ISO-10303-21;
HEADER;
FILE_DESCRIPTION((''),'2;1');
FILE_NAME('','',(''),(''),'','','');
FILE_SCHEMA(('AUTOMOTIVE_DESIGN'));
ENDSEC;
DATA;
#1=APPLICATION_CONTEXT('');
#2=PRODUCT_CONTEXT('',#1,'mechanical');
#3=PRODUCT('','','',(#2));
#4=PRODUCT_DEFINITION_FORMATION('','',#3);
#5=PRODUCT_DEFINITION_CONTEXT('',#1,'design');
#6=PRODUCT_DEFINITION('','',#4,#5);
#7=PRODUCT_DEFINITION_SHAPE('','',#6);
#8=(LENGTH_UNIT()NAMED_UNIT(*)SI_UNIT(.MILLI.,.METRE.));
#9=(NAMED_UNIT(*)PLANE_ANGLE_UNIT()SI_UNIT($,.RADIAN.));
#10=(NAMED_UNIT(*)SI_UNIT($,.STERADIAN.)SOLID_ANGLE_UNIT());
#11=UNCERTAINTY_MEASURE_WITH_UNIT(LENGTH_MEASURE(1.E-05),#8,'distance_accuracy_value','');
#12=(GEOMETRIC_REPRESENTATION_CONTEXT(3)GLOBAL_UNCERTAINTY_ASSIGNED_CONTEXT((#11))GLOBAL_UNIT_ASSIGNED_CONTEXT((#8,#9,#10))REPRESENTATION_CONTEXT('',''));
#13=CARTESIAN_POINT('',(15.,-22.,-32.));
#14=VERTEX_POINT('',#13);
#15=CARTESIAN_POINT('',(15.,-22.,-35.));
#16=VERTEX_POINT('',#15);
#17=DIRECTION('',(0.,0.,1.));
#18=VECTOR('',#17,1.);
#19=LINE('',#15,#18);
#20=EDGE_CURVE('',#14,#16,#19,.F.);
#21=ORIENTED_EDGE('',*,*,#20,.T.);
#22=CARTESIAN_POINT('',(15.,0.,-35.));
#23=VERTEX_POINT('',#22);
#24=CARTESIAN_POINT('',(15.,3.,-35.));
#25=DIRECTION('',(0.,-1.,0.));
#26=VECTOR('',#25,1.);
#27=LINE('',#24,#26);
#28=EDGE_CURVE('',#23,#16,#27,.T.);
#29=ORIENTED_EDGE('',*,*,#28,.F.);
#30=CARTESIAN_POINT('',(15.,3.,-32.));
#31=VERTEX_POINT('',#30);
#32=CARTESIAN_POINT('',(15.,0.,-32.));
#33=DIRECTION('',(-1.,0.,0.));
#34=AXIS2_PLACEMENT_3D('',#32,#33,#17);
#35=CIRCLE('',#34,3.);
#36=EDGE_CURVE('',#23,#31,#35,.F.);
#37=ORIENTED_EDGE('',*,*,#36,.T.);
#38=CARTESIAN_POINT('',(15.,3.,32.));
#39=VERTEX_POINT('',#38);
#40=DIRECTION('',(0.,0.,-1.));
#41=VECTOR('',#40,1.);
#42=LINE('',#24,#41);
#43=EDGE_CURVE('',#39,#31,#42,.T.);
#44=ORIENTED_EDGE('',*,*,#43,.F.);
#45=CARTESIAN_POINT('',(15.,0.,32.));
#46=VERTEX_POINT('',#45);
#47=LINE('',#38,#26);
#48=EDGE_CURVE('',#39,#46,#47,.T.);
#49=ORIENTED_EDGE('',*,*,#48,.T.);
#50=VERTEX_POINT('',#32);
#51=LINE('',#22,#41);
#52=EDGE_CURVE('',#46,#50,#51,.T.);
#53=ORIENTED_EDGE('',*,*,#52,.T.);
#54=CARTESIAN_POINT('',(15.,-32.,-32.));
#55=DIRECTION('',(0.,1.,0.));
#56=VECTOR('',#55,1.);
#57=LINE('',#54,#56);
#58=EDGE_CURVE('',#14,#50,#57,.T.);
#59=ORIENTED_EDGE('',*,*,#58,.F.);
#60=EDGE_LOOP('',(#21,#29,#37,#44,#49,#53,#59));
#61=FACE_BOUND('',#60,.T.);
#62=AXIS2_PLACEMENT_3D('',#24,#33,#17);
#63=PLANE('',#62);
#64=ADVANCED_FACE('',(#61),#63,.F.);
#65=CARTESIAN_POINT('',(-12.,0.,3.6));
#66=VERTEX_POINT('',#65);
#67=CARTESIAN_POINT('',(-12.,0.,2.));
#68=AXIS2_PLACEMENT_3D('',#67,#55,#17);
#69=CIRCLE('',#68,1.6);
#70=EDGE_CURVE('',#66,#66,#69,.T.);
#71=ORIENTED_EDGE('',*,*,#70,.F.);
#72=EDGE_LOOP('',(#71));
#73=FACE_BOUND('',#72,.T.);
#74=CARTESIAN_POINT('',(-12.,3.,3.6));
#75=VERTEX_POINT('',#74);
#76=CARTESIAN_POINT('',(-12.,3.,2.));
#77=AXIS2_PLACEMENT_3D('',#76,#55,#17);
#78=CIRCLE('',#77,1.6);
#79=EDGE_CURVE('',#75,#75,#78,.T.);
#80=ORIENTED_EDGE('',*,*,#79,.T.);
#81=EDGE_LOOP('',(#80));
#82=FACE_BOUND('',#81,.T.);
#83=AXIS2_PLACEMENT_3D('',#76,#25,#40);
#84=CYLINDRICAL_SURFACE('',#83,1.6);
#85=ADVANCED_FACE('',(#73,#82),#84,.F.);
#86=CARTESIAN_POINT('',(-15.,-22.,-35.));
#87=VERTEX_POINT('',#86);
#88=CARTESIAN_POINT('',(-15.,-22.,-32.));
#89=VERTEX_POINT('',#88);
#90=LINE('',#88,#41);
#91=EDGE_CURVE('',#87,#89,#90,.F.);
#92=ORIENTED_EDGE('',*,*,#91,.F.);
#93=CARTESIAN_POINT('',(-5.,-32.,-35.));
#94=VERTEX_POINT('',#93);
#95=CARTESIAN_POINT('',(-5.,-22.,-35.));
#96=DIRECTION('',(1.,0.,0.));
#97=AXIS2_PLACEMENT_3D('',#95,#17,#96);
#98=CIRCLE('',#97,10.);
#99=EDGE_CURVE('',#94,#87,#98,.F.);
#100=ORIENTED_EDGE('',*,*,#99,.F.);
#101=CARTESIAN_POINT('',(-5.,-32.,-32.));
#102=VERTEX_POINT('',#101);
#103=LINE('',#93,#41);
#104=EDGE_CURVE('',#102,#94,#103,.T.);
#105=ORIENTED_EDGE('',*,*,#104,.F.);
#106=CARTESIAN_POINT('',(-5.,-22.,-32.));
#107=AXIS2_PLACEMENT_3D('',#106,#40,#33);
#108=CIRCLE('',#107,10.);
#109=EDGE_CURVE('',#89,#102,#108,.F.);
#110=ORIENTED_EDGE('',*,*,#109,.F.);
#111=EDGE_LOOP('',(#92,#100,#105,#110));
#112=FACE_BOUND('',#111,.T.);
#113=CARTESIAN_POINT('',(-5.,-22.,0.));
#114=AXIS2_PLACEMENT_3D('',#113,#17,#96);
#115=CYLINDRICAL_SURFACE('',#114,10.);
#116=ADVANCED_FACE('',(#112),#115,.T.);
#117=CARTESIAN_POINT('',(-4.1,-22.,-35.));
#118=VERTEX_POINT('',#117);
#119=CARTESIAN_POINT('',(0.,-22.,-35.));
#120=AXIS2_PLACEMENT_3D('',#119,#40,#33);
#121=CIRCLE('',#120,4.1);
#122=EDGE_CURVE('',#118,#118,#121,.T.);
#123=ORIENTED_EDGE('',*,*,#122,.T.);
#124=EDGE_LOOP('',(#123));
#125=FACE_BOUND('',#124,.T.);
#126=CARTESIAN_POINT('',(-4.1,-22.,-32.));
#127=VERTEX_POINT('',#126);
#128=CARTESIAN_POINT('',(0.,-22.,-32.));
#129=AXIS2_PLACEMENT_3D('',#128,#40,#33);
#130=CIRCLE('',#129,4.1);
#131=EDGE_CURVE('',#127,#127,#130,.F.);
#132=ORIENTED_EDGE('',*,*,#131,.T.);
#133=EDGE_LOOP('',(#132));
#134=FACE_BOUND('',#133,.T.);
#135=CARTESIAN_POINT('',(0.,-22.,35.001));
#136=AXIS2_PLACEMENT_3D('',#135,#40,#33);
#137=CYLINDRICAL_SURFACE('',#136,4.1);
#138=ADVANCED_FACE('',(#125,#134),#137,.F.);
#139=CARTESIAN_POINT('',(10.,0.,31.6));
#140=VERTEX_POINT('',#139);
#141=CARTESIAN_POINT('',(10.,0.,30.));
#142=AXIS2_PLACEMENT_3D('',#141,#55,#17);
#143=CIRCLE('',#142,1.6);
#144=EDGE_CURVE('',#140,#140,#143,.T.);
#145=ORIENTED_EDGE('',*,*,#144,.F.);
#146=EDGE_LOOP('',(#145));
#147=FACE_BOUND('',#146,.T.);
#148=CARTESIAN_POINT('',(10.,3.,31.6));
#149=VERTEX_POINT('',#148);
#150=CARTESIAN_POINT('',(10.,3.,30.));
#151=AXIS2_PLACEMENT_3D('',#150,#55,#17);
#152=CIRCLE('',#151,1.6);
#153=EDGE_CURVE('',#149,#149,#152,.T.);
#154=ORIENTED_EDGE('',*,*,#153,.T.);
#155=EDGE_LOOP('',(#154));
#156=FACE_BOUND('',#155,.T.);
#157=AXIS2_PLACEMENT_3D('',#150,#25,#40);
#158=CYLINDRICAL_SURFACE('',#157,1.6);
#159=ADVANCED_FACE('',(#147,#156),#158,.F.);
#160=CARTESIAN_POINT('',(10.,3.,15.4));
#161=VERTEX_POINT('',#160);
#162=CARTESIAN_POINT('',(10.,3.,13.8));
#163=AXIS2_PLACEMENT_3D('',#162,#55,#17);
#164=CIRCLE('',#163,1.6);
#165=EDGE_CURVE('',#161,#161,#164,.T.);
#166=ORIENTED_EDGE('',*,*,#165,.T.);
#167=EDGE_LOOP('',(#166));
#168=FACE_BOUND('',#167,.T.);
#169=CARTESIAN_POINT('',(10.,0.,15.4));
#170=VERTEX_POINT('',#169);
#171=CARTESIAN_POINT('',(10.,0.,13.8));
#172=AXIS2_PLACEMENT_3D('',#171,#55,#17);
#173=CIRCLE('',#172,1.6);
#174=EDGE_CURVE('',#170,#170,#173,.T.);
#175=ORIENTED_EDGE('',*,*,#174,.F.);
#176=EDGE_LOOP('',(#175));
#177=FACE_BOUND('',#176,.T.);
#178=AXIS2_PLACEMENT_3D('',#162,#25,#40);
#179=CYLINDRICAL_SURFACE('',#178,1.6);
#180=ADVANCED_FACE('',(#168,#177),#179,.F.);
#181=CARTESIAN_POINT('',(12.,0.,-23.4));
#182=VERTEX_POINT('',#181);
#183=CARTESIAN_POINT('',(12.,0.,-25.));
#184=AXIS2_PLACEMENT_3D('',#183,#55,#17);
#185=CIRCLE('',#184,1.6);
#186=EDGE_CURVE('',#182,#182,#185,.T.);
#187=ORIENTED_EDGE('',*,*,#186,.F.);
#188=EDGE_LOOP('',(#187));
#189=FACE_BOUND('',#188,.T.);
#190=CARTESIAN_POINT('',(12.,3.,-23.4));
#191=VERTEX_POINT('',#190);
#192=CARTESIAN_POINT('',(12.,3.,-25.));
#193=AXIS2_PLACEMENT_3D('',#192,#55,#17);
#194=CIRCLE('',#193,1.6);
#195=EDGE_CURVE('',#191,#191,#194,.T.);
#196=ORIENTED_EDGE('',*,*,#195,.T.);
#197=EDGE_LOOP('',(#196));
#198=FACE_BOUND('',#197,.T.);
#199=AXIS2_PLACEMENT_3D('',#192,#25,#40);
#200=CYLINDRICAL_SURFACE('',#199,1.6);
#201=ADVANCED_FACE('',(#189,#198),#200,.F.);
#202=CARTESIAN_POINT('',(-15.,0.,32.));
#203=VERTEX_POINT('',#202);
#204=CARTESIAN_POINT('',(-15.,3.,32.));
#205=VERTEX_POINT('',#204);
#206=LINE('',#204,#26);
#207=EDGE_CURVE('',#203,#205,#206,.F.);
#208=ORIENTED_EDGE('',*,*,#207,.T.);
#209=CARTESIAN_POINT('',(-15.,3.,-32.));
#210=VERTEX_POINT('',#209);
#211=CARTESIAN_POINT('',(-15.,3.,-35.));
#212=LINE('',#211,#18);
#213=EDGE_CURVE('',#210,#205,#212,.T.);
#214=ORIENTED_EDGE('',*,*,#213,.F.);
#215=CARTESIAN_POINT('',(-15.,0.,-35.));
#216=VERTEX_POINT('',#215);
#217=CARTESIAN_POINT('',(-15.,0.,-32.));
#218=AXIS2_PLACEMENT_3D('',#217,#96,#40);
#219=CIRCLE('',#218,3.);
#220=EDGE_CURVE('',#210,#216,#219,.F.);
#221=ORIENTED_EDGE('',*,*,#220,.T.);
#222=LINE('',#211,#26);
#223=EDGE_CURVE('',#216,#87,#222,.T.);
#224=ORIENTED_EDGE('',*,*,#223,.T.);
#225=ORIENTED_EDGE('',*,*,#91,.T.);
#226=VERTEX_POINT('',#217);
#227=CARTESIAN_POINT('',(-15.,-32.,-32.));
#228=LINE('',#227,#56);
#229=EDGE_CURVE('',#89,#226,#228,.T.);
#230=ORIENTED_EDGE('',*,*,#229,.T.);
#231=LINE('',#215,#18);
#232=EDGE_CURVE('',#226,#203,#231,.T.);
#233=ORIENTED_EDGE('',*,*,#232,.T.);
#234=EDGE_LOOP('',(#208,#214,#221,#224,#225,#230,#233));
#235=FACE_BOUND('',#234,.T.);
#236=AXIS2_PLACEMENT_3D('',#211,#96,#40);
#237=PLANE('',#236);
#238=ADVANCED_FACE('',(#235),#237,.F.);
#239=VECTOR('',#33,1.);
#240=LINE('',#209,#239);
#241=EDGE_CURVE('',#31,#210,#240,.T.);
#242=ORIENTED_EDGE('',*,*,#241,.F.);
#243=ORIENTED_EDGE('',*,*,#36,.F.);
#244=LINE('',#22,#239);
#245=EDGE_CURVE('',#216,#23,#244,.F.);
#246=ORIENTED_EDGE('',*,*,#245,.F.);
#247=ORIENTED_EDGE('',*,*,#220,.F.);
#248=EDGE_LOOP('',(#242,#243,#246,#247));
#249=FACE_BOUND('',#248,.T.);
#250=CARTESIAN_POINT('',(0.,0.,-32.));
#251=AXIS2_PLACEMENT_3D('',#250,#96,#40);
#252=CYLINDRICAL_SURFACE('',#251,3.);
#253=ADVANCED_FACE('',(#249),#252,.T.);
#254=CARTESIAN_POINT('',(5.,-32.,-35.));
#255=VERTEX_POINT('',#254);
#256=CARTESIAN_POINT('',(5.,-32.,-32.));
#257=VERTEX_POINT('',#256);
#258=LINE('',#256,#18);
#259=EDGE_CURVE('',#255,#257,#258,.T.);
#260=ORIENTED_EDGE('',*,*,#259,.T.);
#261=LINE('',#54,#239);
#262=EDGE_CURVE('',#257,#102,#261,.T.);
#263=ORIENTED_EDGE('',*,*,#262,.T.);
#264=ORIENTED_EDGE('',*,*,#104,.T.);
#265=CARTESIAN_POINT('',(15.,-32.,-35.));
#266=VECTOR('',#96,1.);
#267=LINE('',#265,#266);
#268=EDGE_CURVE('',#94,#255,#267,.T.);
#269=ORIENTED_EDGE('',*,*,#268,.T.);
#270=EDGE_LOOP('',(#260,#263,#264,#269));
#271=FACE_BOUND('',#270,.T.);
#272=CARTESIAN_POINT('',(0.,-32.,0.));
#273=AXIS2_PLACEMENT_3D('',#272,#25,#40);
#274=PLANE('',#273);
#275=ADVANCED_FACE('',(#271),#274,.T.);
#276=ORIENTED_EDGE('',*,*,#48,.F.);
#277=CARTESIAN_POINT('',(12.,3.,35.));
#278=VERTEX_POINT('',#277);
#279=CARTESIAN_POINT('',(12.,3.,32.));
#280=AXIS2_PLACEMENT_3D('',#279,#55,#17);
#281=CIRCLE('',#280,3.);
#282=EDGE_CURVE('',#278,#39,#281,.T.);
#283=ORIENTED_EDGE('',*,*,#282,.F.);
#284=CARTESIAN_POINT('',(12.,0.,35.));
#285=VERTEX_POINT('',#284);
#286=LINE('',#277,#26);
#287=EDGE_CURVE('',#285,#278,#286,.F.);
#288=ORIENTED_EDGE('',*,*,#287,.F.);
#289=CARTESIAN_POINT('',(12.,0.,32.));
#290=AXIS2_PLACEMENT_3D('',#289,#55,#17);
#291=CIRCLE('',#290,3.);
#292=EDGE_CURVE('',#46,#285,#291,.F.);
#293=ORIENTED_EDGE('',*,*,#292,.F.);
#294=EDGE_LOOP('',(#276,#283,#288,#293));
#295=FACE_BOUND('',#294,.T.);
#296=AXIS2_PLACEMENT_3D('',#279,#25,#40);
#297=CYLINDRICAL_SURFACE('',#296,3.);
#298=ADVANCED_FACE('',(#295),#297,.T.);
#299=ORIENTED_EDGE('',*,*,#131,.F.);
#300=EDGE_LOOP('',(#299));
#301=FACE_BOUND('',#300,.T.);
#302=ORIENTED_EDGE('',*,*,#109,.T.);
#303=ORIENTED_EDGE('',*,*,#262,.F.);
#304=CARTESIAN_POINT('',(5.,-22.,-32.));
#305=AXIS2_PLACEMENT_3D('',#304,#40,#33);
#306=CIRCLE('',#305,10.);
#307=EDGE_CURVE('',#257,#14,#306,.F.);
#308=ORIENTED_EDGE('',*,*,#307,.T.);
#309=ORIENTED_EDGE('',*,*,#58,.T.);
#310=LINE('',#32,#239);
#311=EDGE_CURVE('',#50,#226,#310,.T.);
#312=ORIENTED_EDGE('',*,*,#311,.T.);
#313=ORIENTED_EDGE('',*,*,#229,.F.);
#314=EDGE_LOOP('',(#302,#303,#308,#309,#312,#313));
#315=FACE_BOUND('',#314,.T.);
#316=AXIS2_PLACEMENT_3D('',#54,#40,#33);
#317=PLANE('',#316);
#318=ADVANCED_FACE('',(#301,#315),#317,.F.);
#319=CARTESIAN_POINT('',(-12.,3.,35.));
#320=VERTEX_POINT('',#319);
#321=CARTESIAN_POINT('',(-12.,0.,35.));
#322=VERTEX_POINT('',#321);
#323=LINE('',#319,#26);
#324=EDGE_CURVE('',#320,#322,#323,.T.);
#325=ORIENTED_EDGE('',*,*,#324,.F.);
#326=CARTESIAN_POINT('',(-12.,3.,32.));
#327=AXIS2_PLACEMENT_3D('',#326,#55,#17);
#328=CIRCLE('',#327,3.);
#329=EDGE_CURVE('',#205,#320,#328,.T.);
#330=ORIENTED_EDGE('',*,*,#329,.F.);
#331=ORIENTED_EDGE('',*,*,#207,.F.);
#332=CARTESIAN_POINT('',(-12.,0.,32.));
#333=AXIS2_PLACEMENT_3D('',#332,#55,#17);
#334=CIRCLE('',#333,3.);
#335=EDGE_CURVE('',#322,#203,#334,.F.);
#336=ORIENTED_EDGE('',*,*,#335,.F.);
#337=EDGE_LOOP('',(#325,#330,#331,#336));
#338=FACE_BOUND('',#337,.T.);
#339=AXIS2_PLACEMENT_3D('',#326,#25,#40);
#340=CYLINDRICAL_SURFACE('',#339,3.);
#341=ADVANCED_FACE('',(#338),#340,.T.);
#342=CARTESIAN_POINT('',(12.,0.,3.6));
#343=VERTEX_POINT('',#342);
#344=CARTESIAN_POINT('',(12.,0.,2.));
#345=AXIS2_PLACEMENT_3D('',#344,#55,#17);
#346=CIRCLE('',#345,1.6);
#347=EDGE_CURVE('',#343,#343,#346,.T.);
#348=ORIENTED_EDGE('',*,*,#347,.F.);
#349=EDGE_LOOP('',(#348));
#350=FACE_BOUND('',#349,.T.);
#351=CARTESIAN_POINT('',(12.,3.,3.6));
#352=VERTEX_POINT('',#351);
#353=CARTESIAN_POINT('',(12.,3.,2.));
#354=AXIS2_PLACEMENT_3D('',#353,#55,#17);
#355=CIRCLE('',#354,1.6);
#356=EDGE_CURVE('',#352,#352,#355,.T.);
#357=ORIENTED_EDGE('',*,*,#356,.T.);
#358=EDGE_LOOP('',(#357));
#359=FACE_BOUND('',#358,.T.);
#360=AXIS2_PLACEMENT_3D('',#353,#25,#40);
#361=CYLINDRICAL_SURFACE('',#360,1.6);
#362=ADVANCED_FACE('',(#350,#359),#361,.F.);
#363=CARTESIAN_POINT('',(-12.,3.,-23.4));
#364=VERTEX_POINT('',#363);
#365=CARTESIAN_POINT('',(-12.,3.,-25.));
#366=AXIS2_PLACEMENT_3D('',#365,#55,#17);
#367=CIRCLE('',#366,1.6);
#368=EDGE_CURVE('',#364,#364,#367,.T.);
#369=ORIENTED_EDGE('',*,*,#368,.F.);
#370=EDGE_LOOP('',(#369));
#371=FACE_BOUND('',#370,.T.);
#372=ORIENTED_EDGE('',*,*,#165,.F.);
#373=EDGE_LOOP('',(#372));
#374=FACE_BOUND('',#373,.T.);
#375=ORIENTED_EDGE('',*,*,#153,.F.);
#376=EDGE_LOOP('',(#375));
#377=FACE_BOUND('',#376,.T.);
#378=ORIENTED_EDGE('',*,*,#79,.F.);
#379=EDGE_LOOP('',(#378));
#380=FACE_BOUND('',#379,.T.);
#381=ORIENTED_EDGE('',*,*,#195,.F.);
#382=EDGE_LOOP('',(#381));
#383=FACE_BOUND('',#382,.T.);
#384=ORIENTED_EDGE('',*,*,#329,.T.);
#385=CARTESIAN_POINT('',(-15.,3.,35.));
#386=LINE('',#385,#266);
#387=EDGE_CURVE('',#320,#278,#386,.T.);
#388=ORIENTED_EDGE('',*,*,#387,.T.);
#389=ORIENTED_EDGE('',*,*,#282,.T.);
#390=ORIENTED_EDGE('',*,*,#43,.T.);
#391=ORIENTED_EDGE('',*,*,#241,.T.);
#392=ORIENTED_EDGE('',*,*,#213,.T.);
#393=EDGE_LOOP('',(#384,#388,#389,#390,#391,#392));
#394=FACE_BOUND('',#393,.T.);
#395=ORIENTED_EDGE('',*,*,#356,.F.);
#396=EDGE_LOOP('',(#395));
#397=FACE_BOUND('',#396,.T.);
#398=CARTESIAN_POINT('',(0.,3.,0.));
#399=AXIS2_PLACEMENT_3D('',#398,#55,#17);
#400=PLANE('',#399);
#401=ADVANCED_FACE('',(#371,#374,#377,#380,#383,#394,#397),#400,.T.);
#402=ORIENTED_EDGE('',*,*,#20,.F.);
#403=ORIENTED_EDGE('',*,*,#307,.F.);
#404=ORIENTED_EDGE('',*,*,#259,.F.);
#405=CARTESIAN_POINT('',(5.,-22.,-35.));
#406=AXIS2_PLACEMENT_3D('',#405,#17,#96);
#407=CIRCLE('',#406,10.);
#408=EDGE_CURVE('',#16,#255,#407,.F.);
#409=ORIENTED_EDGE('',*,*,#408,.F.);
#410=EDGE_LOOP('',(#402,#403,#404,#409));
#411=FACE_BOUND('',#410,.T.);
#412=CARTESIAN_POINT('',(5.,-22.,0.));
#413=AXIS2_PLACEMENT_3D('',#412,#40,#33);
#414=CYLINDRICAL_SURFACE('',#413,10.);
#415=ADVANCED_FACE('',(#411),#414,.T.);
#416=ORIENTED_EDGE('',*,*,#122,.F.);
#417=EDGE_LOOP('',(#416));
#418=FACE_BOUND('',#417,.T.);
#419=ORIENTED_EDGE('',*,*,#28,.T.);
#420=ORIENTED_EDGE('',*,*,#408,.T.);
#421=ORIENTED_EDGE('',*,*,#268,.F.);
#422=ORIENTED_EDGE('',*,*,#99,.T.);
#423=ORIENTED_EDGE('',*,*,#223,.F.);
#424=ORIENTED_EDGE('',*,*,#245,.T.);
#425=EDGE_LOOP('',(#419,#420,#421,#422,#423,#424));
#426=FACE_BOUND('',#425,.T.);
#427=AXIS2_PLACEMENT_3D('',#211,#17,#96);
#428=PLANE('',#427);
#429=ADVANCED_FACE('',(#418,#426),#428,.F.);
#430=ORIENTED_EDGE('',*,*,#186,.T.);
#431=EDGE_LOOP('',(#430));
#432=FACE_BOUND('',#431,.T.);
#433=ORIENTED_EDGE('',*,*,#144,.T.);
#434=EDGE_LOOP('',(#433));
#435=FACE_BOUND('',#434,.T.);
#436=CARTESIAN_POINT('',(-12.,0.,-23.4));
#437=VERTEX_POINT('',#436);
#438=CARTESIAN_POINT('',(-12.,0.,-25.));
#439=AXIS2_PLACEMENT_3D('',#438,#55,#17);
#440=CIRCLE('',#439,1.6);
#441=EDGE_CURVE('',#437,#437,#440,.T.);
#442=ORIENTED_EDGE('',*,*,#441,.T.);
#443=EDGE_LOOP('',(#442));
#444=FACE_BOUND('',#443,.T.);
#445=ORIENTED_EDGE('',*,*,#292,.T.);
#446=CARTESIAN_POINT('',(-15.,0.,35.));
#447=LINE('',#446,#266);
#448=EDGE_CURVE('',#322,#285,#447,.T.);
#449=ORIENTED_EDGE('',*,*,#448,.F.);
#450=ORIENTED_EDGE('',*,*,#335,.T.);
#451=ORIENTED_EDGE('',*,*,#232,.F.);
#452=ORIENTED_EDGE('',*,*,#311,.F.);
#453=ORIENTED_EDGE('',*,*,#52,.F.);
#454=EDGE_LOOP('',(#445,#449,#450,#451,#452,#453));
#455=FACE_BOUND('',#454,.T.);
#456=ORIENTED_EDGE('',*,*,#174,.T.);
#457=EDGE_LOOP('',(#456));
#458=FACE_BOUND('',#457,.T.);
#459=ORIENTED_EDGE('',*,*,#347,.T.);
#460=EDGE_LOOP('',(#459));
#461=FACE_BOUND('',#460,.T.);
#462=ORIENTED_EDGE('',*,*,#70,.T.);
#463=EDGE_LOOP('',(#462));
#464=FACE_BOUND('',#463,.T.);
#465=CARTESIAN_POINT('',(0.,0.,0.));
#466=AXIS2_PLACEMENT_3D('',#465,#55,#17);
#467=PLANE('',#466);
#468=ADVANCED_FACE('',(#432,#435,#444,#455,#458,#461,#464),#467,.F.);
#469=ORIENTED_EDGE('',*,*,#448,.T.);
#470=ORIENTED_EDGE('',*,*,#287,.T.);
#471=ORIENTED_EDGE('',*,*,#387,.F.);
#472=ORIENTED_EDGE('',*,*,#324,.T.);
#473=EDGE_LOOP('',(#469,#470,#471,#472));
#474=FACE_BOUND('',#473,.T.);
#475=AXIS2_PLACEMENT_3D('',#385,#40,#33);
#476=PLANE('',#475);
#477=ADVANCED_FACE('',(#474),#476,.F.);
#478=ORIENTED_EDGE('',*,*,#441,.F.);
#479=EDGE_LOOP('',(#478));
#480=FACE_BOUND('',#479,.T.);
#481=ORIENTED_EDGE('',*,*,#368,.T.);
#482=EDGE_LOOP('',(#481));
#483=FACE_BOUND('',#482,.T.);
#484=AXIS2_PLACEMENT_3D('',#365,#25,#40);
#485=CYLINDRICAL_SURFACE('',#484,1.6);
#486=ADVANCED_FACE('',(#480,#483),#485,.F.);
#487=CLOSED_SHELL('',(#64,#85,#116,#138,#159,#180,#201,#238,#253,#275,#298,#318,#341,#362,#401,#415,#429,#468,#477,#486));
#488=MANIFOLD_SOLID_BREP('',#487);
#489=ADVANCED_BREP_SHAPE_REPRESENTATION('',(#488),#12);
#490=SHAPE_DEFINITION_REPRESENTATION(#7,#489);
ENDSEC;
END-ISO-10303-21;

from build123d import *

# Parameters (mm, degrees)
SKETCH_1_W          = 30
SKETCH_1_H          = 70
SKETCH_1_R          = 1.6
EXTRUDE_1_DEPTH     = 3
SKETCH_2_W          = 30
SKETCH_2_H          = 3
EXTRUDE_2_DEPTH     = 32
CUT_EXTRUDE_1_REACH = 80.416
SKETCH_3_R          = 4.1
FILLET_1_R          = 3
FILLET_2_R          = 10


with BuildPart() as part:
    # 草图1 → 凸台-拉伸1 (new body)
    with BuildSketch(Plane(origin=(0, 0, 0), x_dir=(1, 0, 0), z_dir=(0, 1, 0))):
        Rectangle(SKETCH_1_W, SKETCH_1_H)
        with Locations(Location((-12, 25, 0), (0, 0, 270))):
            Circle(SKETCH_1_R, mode=Mode.SUBTRACT)
        with Locations(Location((12, 25, 0), (0, 0, 270))):
            Circle(SKETCH_1_R, mode=Mode.SUBTRACT)
        with Locations(Location((12, -2, 0), (0, 0, 270))):
            Circle(SKETCH_1_R, mode=Mode.SUBTRACT)
        with Locations(Location((-12, -2, 0), (0, 0, 270))):
            Circle(SKETCH_1_R, mode=Mode.SUBTRACT)
        with Locations(Location((10, -30, 0), (0, 0, 270))):
            Circle(SKETCH_1_R, mode=Mode.SUBTRACT)
        with Locations(Location((10, -13.8, 0), (0, 0, 270))):
            Circle(SKETCH_1_R, mode=Mode.SUBTRACT)
    extrude(amount=EXTRUDE_1_DEPTH)

    # 草图2 → 凸台-拉伸2 (add)
    with BuildSketch(Plane.XZ):
        with Locations((0, -33.5)):
            Rectangle(SKETCH_2_W, SKETCH_2_H)
    extrude(amount=EXTRUDE_2_DEPTH)

    # 草图3 → 切除-拉伸1 (cut, up to next)
    with BuildSketch(Plane(origin=(0, 0, -35), x_dir=(-1, 0, 0), z_dir=(0, 0, -1)), mode=Mode.PRIVATE) as cut_extrude_1_sk1:
        with Locations((0, -22)):
            Circle(SKETCH_3_R)
    cut_extrude_1_tool1 = extrude(cut_extrude_1_sk1.sketch, amount=-CUT_EXTRUDE_1_REACH, mode=Mode.PRIVATE) & part.part
    add(cut_extrude_1_tool1.solids().sort_by_distance((0, -22, -35))[0], mode=Mode.SUBTRACT)

    # 圆角1
    fillet_1_edges = [part.edges().sort_by_distance(p)[0] for p in [
        (15, 1.5, 35),
        (-15, 1.5, 35),
        (0, 3, -35),
    ]]
    fillet(fillet_1_edges, radius=FILLET_1_R)

    # 圆角2
    fillet_2_edges = [part.edges().sort_by_distance(p)[0] for p in [
        (15, -32, -33.5),
        (-15, -32, -33.5),
    ]]
    fillet(fillet_2_edges, radius=FILLET_2_R)


solid = part.part
